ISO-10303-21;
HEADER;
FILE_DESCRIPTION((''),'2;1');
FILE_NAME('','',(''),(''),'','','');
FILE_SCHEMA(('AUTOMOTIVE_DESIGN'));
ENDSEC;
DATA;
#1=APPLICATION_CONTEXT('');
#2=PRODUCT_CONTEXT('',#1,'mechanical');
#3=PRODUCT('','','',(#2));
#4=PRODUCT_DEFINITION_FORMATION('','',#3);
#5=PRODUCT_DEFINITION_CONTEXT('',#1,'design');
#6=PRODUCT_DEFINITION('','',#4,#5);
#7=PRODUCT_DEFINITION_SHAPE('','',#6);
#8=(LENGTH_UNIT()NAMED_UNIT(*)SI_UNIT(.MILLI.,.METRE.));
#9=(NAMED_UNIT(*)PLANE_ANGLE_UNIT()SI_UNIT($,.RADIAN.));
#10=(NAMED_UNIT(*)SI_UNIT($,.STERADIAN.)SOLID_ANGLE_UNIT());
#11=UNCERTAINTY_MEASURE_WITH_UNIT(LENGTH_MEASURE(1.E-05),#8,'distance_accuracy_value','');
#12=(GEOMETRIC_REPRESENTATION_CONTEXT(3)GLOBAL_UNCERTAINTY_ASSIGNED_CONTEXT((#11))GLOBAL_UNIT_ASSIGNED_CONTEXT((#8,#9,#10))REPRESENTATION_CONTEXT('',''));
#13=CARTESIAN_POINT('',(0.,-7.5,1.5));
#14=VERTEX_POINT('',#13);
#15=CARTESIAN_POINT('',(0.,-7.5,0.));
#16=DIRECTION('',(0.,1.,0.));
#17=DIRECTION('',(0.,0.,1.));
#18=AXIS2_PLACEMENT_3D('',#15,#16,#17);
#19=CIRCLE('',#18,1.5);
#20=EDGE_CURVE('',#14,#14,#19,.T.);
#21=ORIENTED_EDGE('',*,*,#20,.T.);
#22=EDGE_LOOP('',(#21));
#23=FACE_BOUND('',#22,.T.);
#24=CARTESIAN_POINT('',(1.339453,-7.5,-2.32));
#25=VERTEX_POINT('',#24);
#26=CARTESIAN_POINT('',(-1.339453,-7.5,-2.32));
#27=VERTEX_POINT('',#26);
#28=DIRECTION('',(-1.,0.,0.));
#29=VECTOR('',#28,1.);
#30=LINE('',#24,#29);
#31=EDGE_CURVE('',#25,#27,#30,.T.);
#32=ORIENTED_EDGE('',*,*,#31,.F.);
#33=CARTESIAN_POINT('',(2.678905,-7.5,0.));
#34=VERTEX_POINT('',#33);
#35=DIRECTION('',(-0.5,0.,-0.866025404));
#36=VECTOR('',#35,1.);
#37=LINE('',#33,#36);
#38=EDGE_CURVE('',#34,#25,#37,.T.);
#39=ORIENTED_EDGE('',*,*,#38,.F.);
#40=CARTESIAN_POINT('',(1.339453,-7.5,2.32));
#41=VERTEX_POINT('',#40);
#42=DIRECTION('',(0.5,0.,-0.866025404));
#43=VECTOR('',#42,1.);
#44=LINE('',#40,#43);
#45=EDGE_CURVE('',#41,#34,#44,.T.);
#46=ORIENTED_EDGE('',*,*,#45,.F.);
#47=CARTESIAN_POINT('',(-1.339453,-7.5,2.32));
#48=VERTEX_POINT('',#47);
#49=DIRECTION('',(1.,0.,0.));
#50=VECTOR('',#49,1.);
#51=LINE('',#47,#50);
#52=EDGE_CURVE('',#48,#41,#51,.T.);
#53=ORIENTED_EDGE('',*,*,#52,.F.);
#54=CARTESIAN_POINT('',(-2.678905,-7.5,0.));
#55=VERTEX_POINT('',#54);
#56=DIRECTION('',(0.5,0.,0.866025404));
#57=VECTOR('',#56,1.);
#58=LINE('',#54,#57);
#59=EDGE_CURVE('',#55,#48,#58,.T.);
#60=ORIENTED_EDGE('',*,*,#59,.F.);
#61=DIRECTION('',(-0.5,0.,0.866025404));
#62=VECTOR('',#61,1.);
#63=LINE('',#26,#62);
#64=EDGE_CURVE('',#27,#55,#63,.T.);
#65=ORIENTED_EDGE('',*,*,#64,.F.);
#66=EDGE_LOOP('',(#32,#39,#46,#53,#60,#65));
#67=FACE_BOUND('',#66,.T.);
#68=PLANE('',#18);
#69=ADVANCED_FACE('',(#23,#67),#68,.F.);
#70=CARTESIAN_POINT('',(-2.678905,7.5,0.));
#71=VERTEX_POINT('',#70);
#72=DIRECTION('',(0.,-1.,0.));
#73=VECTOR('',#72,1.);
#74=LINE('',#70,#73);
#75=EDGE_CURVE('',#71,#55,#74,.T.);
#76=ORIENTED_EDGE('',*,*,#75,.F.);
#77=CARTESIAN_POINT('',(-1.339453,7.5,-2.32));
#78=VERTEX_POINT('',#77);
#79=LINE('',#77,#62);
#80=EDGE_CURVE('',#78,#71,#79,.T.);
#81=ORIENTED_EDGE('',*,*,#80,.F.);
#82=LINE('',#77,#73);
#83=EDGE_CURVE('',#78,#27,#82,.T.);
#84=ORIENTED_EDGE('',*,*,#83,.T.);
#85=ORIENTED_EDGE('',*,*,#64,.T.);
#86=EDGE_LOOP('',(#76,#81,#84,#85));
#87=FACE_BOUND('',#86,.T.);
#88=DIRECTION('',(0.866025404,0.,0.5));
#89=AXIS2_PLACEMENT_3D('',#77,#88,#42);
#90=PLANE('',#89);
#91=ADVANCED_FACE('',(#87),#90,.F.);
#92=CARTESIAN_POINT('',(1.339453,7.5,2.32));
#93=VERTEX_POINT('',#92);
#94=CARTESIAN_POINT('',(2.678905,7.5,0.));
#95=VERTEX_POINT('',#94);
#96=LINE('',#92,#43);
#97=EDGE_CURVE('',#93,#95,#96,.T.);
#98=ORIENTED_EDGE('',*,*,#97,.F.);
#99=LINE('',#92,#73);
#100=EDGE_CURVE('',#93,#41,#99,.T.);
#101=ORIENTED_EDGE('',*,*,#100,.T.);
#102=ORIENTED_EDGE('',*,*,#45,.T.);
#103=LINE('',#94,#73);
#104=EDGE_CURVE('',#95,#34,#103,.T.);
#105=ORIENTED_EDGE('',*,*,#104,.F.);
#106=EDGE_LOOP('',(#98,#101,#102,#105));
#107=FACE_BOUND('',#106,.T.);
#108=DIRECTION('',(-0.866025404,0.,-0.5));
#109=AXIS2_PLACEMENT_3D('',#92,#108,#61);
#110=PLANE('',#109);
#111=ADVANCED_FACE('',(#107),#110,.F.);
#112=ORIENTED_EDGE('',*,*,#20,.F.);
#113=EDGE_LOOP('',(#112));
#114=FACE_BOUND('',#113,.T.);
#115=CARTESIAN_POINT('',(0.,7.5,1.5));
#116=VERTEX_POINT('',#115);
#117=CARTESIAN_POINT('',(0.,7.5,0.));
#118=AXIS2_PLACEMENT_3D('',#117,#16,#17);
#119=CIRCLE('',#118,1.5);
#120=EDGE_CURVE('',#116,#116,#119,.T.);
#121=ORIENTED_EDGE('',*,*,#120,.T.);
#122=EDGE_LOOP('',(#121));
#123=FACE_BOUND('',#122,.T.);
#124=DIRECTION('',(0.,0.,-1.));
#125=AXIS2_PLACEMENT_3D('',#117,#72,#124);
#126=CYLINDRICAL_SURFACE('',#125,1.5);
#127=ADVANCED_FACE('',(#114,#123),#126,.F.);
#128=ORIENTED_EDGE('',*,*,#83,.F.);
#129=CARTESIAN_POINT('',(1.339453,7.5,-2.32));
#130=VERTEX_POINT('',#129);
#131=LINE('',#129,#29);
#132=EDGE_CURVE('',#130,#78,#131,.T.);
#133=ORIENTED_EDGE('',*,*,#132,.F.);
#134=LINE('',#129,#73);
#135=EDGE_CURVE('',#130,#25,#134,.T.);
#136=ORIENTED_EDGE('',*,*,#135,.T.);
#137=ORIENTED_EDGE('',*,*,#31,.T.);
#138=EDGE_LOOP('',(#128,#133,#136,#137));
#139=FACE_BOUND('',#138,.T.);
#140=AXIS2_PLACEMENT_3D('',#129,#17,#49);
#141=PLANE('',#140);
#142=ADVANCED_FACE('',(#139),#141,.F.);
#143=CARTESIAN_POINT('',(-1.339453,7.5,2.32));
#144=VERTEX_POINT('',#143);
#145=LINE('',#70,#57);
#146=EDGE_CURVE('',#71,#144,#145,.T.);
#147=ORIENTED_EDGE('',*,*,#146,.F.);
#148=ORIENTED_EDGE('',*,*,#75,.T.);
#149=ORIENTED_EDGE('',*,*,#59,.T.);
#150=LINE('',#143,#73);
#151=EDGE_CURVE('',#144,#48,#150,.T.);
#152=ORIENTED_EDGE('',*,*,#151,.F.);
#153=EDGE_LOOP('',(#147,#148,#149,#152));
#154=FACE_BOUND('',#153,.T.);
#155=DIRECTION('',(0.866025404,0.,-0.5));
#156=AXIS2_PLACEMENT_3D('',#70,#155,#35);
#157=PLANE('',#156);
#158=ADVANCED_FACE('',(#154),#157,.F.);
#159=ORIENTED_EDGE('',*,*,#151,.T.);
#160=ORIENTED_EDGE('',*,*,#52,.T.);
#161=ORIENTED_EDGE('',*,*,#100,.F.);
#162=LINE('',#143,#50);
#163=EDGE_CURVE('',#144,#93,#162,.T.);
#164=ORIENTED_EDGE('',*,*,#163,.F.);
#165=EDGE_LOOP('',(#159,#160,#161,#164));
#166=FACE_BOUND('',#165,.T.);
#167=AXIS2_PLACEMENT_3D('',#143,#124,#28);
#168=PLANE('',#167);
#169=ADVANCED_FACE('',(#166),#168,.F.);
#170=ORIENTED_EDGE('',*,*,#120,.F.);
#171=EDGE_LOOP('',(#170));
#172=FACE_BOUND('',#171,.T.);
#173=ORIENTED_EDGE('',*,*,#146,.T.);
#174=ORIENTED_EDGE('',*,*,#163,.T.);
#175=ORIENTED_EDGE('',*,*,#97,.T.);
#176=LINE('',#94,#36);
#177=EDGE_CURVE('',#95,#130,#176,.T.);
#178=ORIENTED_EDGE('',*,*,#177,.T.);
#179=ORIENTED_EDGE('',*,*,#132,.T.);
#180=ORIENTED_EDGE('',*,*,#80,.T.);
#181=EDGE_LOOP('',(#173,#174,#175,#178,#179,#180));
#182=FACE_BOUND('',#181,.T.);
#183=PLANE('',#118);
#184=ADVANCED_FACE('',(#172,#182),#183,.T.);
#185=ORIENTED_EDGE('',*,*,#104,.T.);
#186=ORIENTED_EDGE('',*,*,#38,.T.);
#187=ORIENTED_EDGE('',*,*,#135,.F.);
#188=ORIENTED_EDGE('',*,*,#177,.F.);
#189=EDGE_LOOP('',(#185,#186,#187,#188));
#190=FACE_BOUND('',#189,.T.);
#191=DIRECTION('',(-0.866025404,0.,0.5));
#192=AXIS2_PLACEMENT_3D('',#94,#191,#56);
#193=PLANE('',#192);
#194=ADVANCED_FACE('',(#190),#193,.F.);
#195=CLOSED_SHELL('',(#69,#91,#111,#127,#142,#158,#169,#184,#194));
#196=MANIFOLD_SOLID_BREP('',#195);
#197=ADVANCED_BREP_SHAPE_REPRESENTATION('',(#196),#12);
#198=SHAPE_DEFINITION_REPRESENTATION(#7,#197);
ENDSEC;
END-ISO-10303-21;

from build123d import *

# Parameters (mm, degrees)
SKETCH1_R           = 1.5
BOSS_EXTRUDE1_DEPTH = 7.5


with BuildPart() as part:
    # Sketch1 → Boss-Extrude1 (new, symmetric)
    with BuildSketch(Plane(origin=(0, 0, 0), x_dir=(1, 0, 0), z_dir=(0, 1, 0))):
        Polygon((2.678905249, 0), (1.339452625, 2.32), (-1.339452625, 2.32), (-2.678905249, 0), (-1.339452625, -2.32), (1.339452625, -2.32), align=None)
        with Locations(Location((0, 0, 0), (0, 0, 270))):
            Circle(SKETCH1_R, mode=Mode.SUBTRACT)
    extrude(amount=BOSS_EXTRUDE1_DEPTH, both=True)


solid = part.part
